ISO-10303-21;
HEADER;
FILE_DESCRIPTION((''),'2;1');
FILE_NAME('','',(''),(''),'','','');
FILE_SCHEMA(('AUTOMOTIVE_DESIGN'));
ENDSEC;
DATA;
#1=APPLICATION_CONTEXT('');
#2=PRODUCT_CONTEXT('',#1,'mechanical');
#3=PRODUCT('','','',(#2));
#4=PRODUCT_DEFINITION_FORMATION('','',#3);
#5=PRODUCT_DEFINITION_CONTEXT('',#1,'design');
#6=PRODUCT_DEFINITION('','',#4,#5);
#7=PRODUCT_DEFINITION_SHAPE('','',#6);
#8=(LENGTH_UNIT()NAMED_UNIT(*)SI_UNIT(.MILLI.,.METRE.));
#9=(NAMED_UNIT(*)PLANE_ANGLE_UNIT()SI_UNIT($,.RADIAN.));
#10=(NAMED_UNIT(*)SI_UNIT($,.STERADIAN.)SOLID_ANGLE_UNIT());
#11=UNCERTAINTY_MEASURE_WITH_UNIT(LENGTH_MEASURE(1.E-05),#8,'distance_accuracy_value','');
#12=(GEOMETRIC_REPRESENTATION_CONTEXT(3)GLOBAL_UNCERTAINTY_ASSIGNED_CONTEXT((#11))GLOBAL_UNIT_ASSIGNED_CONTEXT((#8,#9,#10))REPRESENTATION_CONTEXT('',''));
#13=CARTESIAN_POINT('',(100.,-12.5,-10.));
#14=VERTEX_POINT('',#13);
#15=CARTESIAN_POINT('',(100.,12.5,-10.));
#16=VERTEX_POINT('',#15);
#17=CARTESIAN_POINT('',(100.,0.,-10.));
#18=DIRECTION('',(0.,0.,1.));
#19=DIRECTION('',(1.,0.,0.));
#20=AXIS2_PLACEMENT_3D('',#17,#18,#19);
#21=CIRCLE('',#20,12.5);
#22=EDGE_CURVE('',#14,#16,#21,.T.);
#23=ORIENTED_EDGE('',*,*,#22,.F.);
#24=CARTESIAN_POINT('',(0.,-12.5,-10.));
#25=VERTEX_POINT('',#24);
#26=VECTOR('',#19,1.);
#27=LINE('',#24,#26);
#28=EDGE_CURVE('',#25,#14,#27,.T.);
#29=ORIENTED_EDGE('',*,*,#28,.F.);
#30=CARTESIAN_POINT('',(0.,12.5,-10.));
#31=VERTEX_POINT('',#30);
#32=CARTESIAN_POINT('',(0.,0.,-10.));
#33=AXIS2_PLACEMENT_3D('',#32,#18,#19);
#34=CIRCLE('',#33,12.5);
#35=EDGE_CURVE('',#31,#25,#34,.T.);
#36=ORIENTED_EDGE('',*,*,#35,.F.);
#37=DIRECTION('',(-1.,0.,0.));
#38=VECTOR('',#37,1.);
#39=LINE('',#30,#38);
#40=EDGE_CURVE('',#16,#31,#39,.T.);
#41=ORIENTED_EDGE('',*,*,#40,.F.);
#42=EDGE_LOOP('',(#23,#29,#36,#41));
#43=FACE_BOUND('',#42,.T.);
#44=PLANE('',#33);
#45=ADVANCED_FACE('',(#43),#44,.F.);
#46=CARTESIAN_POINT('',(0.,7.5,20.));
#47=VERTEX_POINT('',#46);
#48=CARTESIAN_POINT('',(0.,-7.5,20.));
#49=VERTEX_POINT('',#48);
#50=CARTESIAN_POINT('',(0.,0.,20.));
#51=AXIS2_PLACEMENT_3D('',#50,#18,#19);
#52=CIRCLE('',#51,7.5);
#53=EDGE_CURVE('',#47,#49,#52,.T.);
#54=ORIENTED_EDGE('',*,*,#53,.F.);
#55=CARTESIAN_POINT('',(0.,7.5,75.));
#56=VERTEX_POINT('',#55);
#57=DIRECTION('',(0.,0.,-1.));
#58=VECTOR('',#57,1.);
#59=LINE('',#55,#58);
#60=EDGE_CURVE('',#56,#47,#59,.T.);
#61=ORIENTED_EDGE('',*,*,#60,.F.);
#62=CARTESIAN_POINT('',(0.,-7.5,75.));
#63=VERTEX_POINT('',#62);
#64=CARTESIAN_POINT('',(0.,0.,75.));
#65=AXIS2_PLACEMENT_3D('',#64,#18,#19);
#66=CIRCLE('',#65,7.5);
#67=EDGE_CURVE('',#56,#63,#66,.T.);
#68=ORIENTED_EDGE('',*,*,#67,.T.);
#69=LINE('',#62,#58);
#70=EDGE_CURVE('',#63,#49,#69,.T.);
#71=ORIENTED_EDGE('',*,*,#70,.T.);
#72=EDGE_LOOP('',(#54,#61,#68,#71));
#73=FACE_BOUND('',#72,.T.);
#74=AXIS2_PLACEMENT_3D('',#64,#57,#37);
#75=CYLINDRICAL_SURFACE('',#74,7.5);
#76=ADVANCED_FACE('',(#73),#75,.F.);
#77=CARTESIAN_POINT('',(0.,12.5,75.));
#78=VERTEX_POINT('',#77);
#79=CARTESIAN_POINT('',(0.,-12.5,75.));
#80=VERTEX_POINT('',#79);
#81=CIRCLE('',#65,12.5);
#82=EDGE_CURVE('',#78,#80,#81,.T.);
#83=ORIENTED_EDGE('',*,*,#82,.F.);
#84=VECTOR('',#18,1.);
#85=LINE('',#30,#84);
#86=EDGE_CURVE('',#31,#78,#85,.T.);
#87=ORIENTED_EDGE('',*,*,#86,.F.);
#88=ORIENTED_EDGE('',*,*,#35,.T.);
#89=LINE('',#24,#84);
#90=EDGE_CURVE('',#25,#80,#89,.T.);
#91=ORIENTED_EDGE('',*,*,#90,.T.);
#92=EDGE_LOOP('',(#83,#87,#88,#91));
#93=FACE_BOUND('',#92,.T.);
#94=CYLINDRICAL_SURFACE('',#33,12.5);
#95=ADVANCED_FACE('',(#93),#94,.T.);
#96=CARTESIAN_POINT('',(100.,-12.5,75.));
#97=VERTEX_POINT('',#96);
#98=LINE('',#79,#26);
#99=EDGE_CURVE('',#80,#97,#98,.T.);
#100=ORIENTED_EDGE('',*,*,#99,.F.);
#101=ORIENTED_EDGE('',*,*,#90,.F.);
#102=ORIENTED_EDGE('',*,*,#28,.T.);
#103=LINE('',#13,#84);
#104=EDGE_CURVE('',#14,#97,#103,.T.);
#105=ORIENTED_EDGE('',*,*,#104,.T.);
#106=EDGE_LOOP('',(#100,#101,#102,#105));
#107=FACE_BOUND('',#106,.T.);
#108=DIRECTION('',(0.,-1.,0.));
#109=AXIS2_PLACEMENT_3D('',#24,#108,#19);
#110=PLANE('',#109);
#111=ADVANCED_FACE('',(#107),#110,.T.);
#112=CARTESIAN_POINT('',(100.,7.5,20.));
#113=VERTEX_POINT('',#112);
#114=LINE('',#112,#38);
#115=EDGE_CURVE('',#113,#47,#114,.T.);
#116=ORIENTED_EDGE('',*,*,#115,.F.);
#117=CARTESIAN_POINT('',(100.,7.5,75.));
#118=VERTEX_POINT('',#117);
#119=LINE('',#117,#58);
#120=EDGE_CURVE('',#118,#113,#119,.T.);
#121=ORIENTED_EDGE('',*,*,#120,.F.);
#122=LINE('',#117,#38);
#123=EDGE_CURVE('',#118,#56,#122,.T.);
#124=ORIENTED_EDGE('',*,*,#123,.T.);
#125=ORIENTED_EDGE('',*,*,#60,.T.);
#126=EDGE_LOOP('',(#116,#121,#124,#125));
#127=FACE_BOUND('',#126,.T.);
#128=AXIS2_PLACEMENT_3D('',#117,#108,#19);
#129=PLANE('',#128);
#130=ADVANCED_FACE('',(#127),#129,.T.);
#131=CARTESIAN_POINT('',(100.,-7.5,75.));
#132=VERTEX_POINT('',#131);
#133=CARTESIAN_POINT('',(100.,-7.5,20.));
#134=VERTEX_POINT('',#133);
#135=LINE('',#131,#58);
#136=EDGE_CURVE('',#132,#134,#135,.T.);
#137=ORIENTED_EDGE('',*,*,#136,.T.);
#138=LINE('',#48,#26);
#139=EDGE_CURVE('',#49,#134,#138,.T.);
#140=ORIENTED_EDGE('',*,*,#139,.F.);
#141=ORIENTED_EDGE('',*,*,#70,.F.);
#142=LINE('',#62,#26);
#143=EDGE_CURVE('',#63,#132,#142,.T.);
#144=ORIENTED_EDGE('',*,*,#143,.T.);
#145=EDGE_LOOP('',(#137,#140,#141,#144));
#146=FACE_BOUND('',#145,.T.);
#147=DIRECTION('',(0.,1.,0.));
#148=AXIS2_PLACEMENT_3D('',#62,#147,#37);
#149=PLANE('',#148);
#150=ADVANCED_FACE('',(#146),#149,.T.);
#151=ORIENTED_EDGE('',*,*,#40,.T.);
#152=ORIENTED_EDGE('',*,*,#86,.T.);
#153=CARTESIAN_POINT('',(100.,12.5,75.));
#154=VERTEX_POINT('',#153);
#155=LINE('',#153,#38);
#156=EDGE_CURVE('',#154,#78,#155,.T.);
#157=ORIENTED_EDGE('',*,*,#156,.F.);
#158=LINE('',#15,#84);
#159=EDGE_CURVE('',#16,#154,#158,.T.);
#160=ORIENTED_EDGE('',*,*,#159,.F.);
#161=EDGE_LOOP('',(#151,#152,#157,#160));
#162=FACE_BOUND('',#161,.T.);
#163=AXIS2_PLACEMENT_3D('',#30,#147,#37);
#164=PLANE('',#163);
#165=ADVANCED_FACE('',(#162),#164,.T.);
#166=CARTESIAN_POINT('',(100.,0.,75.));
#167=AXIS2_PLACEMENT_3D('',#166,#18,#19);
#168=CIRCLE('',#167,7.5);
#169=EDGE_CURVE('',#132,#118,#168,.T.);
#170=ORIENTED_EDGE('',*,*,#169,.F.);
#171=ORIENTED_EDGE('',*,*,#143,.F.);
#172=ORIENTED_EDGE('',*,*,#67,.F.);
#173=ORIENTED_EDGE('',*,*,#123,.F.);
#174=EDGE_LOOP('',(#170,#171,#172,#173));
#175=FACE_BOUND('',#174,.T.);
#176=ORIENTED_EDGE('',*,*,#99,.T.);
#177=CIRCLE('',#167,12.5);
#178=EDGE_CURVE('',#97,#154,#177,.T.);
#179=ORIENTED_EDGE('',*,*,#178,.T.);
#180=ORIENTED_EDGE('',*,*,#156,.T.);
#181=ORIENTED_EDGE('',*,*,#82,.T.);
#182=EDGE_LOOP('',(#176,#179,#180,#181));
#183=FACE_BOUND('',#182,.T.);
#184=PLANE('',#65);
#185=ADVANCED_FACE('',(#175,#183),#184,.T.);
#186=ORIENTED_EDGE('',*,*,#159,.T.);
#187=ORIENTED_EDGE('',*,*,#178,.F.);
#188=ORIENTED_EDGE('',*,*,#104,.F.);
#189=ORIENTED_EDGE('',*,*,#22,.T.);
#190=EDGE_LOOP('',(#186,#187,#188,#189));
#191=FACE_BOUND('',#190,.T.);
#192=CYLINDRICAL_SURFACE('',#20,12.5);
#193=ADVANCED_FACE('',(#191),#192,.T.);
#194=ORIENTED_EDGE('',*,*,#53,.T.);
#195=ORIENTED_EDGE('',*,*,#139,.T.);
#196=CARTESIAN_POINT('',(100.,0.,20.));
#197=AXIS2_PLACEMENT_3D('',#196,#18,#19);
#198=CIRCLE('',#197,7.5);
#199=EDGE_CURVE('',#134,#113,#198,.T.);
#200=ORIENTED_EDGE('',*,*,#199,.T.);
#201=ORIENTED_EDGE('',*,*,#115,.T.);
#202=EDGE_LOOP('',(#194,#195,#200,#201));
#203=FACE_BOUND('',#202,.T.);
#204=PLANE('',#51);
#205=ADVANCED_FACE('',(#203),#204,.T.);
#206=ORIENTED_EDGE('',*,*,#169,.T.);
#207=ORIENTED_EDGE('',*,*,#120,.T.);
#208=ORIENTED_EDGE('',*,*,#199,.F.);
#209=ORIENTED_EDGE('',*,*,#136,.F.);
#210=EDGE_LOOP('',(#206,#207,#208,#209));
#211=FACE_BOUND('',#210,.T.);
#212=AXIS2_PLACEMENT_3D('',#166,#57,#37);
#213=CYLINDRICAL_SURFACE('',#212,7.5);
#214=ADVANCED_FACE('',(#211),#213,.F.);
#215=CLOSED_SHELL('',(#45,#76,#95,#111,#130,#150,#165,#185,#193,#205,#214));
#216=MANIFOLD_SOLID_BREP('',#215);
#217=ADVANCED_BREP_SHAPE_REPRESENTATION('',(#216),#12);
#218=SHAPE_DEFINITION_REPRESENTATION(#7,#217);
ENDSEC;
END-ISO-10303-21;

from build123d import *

# Parameters (mm, degrees)
EXTRUDE_2_DEPTH      = 20
EXTRUDE_2_DEPTH_BACK = 10
EXTRUDE_1_DEPTH      = 55


with BuildPart() as part:
    # 草图3 → 凸台-拉伸2 (new body, two sides)
    with BuildSketch(Plane.XY) as extrude_2_sk:
        with BuildLine():
            Line((0, 12.5), (100, 12.5))
            ThreePointArc((100, 12.5), (112.5, 0), (100, -12.5))
            Line((100, -12.5), (0, -12.5))
            ThreePointArc((0, -12.5), (-12.5, 0), (0, 12.5))
        make_face()
    extrude(amount=EXTRUDE_2_DEPTH)
    extrude(extrude_2_sk.sketch, amount=-EXTRUDE_2_DEPTH_BACK)

    # 草图4 → 拉伸-薄壁1 (add)
    with BuildSketch(Plane.XY.offset(20)):
        with BuildLine():
            Line((100, 12.5), (0, 12.5))
            ThreePointArc((0, 12.5), (-12.5, 0), (0, -12.5))
            Line((0, -12.5), (100, -12.5))
            ThreePointArc((100, -12.5), (112.5, 0), (100, 12.5))
        make_face()
        with BuildLine():
            Line((100, 7.5), (0, 7.5))
            ThreePointArc((0, 7.5), (-7.5, 0), (0, -7.5))
            Line((0, -7.5), (100, -7.5))
            ThreePointArc((100, -7.5), (107.5, 0), (100, 7.5))
        make_face(mode=Mode.SUBTRACT)
    extrude(amount=EXTRUDE_1_DEPTH)


solid = part.part
